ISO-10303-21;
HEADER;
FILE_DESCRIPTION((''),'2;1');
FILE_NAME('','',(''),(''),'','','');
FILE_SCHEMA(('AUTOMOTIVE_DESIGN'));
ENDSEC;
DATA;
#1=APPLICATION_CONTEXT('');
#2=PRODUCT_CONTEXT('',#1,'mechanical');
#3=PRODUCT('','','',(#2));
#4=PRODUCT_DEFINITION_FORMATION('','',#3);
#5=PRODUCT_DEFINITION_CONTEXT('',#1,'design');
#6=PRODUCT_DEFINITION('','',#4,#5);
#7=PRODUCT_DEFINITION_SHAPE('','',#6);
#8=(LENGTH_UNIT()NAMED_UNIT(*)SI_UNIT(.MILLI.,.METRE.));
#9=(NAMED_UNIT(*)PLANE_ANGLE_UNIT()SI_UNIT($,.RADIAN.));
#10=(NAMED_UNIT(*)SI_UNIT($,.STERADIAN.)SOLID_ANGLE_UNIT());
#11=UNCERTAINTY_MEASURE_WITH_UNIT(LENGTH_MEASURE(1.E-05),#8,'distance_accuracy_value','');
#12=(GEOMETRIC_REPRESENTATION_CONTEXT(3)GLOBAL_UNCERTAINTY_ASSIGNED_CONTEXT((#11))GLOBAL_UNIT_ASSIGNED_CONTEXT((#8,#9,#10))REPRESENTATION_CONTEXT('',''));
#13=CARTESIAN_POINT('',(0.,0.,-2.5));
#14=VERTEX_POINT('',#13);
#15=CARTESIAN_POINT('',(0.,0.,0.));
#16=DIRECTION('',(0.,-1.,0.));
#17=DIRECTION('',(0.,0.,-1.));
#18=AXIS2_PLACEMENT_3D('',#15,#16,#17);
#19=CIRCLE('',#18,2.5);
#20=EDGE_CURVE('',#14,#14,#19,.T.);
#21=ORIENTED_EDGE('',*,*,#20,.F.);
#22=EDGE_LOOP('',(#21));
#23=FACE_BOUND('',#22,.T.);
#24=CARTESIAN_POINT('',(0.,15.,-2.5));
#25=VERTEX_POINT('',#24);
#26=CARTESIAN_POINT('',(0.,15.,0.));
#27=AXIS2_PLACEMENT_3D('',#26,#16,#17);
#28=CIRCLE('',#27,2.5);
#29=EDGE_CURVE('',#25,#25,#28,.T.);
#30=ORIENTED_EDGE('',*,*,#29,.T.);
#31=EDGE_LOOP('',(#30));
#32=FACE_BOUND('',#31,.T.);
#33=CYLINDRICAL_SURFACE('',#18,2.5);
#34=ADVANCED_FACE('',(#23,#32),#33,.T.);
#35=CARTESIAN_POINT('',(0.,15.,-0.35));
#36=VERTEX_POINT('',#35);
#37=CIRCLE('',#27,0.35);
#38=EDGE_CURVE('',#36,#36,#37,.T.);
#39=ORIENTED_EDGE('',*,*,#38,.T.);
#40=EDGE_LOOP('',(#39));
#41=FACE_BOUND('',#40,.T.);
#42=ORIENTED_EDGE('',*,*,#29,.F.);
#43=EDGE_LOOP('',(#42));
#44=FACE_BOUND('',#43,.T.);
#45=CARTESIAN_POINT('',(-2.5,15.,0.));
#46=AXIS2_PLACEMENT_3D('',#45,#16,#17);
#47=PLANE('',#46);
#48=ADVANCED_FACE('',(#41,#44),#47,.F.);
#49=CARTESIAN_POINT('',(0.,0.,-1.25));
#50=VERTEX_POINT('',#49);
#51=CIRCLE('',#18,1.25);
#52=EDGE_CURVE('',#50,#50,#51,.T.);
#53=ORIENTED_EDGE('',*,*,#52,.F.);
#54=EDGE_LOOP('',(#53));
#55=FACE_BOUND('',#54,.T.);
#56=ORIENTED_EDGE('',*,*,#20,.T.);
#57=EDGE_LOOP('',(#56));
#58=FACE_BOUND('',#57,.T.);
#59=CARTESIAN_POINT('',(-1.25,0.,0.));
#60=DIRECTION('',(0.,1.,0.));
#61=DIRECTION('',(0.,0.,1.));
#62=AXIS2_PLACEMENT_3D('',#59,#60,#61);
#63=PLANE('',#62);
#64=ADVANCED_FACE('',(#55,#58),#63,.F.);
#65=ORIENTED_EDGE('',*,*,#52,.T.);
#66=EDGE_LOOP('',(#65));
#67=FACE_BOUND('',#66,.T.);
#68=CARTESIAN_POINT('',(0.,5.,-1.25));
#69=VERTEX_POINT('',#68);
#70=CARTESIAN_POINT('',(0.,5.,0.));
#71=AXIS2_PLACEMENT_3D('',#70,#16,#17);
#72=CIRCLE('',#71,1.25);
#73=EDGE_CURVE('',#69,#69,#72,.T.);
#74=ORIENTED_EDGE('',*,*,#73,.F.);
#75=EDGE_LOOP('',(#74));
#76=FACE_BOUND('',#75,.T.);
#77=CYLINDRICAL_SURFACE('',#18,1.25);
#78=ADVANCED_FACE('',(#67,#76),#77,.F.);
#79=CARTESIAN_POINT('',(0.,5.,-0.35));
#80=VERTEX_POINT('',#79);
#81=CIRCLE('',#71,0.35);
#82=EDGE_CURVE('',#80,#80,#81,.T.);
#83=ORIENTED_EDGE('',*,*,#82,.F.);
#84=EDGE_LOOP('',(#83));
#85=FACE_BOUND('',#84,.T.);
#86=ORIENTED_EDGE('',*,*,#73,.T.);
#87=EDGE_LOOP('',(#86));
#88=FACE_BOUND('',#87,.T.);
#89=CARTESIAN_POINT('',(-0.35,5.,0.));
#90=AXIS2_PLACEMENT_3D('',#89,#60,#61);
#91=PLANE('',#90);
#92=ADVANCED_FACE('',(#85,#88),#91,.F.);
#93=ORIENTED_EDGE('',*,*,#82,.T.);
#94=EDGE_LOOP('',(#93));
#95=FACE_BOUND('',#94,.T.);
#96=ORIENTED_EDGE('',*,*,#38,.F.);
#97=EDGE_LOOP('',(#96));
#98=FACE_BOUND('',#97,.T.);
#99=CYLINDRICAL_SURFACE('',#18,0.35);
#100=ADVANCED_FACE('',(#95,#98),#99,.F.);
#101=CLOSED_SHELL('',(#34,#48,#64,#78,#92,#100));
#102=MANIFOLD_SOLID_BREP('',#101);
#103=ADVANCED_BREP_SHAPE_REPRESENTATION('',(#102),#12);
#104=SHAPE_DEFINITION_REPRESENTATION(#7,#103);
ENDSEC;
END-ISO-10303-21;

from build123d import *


with BuildPart() as part:
    # Sketch1 → Revolve1 (revolve)
    with BuildSketch(Plane.XY, mode=Mode.PRIVATE) as revolve1_sk:
        Polygon((-0.35, 15), (-0.35, 5), (-1.25, 5), (-1.25, 0), (-2.5, 0), (-2.5, 15), align=None)
    revolve(revolve1_sk.sketch.rotate(Axis((0, 0, 0), (0, 1, 0)), 270), axis=Axis((0, 0, 0), (0, 1, 0)))


solid = part.part
